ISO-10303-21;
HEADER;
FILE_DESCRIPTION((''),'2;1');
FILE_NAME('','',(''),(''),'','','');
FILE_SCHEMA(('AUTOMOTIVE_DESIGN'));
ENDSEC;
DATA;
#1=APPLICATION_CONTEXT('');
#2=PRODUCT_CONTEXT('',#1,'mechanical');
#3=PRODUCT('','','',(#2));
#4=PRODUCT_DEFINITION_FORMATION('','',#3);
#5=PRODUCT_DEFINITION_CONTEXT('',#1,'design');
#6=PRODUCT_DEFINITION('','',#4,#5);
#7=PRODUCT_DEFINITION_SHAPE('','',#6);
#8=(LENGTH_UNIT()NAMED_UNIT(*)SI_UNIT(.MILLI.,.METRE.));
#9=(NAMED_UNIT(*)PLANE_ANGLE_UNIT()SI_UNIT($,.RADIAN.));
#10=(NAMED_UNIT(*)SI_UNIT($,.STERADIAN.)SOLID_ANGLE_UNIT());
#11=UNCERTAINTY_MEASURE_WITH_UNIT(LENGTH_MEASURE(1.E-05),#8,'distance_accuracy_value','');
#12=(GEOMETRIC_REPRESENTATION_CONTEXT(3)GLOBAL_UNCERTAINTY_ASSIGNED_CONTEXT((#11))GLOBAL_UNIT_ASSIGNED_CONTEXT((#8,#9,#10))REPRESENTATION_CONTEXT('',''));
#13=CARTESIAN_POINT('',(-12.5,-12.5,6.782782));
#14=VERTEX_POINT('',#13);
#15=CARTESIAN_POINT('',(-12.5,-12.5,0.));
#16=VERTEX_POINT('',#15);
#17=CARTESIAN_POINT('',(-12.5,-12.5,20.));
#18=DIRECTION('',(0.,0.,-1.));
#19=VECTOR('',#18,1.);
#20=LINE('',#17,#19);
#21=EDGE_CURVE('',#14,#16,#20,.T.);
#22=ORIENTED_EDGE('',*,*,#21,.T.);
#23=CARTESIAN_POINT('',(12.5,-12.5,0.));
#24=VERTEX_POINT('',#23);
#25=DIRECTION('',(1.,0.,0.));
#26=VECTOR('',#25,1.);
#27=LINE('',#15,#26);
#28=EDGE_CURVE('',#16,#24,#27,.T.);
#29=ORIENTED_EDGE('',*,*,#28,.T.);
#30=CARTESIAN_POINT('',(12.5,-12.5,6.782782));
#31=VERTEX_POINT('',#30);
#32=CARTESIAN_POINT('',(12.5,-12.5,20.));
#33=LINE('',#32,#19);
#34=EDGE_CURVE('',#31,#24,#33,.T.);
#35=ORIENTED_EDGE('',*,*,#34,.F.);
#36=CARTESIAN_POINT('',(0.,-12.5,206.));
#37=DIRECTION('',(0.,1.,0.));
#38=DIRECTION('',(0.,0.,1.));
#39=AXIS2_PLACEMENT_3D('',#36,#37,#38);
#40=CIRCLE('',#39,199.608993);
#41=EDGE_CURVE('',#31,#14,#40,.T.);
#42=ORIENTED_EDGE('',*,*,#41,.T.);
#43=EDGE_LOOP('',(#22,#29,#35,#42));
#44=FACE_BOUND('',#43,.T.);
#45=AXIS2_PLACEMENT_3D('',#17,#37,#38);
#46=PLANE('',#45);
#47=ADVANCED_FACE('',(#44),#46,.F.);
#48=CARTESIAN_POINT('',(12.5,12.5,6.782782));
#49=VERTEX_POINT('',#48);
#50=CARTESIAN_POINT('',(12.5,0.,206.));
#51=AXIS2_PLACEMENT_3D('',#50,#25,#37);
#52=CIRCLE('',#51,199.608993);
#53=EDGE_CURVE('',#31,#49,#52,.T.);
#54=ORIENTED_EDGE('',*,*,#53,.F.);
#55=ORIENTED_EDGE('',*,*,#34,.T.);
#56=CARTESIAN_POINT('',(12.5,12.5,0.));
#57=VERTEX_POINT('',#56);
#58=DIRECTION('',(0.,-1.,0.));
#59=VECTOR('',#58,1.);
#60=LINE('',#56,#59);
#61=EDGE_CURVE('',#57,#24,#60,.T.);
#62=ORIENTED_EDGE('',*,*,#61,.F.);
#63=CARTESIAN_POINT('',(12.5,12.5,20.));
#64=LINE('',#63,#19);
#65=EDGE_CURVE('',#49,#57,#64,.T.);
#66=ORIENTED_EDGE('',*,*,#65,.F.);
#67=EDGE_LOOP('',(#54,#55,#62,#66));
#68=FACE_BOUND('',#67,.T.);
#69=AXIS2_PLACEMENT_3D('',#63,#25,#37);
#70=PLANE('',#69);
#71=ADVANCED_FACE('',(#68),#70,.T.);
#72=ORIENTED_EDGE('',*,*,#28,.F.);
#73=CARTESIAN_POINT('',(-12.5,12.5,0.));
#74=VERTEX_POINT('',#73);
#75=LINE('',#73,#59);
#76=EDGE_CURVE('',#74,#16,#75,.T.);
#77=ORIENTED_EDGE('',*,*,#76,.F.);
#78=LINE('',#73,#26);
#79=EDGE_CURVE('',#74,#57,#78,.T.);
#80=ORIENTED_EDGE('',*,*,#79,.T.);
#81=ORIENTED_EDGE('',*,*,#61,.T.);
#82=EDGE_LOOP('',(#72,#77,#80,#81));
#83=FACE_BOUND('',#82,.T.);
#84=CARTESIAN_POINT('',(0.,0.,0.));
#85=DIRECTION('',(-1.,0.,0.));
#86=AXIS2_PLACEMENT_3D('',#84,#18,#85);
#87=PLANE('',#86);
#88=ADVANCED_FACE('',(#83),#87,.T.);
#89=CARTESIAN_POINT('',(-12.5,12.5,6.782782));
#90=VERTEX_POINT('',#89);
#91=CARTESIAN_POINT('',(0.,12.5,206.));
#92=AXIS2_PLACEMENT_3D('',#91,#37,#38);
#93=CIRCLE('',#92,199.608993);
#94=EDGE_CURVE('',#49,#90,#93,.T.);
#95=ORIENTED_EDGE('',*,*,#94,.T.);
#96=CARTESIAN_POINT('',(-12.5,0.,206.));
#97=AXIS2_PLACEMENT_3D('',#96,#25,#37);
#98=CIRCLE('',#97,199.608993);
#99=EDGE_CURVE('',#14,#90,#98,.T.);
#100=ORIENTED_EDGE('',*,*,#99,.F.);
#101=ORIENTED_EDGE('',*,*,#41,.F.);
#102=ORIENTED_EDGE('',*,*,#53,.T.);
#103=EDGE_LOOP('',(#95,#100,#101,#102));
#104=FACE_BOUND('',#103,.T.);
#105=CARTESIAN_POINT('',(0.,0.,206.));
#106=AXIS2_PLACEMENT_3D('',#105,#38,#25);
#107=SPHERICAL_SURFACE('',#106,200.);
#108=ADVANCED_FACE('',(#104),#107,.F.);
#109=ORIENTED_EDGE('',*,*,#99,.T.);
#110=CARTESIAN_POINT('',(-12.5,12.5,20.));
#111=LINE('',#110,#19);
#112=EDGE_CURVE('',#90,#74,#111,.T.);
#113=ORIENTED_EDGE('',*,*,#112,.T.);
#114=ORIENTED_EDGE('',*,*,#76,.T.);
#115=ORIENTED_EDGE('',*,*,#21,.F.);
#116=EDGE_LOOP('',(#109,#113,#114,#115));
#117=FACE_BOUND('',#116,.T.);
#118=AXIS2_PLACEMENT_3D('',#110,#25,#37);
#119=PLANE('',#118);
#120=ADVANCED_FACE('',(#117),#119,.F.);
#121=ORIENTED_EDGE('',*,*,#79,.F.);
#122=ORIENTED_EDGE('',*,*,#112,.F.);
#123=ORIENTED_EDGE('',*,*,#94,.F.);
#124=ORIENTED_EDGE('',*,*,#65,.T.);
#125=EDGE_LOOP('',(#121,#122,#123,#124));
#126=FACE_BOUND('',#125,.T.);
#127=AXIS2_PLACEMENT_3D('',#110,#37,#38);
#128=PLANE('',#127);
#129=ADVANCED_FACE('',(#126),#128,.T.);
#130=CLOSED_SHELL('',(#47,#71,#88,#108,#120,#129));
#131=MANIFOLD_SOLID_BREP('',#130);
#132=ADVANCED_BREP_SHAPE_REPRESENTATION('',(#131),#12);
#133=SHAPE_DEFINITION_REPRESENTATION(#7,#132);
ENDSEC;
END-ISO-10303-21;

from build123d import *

# Parameters (mm, degrees)
SKETCH_1_W      = 25
SKETCH_1_H      = 25
EXTRUDE_1_DEPTH = 20


with BuildPart() as part:
    # 草图1 → 凸台-拉伸1 (new body)
    with BuildSketch(Plane.XY):
        Rectangle(SKETCH_1_W, SKETCH_1_H)
    extrude(amount=EXTRUDE_1_DEPTH)

    # 草图2 → 切除-旋转2 (revolve, cut)
    with BuildSketch(Plane(origin=(0, 0, 0), x_dir=(1, 0, 0), z_dir=(0, 1, 0))):
        with BuildLine():
            Line((194.969092363, -161.423627073), (0, -161.423627073))
            Line((0, -161.423627073), (0, -6))
            ThreePointArc((0, -6), (124.669012619, -49.610622827), (194.969092363, -161.423627073))
        make_face()
    revolve(axis=Axis((0, 0, 161.423627073), (0, 0, -1)), mode=Mode.SUBTRACT)


solid = part.part
